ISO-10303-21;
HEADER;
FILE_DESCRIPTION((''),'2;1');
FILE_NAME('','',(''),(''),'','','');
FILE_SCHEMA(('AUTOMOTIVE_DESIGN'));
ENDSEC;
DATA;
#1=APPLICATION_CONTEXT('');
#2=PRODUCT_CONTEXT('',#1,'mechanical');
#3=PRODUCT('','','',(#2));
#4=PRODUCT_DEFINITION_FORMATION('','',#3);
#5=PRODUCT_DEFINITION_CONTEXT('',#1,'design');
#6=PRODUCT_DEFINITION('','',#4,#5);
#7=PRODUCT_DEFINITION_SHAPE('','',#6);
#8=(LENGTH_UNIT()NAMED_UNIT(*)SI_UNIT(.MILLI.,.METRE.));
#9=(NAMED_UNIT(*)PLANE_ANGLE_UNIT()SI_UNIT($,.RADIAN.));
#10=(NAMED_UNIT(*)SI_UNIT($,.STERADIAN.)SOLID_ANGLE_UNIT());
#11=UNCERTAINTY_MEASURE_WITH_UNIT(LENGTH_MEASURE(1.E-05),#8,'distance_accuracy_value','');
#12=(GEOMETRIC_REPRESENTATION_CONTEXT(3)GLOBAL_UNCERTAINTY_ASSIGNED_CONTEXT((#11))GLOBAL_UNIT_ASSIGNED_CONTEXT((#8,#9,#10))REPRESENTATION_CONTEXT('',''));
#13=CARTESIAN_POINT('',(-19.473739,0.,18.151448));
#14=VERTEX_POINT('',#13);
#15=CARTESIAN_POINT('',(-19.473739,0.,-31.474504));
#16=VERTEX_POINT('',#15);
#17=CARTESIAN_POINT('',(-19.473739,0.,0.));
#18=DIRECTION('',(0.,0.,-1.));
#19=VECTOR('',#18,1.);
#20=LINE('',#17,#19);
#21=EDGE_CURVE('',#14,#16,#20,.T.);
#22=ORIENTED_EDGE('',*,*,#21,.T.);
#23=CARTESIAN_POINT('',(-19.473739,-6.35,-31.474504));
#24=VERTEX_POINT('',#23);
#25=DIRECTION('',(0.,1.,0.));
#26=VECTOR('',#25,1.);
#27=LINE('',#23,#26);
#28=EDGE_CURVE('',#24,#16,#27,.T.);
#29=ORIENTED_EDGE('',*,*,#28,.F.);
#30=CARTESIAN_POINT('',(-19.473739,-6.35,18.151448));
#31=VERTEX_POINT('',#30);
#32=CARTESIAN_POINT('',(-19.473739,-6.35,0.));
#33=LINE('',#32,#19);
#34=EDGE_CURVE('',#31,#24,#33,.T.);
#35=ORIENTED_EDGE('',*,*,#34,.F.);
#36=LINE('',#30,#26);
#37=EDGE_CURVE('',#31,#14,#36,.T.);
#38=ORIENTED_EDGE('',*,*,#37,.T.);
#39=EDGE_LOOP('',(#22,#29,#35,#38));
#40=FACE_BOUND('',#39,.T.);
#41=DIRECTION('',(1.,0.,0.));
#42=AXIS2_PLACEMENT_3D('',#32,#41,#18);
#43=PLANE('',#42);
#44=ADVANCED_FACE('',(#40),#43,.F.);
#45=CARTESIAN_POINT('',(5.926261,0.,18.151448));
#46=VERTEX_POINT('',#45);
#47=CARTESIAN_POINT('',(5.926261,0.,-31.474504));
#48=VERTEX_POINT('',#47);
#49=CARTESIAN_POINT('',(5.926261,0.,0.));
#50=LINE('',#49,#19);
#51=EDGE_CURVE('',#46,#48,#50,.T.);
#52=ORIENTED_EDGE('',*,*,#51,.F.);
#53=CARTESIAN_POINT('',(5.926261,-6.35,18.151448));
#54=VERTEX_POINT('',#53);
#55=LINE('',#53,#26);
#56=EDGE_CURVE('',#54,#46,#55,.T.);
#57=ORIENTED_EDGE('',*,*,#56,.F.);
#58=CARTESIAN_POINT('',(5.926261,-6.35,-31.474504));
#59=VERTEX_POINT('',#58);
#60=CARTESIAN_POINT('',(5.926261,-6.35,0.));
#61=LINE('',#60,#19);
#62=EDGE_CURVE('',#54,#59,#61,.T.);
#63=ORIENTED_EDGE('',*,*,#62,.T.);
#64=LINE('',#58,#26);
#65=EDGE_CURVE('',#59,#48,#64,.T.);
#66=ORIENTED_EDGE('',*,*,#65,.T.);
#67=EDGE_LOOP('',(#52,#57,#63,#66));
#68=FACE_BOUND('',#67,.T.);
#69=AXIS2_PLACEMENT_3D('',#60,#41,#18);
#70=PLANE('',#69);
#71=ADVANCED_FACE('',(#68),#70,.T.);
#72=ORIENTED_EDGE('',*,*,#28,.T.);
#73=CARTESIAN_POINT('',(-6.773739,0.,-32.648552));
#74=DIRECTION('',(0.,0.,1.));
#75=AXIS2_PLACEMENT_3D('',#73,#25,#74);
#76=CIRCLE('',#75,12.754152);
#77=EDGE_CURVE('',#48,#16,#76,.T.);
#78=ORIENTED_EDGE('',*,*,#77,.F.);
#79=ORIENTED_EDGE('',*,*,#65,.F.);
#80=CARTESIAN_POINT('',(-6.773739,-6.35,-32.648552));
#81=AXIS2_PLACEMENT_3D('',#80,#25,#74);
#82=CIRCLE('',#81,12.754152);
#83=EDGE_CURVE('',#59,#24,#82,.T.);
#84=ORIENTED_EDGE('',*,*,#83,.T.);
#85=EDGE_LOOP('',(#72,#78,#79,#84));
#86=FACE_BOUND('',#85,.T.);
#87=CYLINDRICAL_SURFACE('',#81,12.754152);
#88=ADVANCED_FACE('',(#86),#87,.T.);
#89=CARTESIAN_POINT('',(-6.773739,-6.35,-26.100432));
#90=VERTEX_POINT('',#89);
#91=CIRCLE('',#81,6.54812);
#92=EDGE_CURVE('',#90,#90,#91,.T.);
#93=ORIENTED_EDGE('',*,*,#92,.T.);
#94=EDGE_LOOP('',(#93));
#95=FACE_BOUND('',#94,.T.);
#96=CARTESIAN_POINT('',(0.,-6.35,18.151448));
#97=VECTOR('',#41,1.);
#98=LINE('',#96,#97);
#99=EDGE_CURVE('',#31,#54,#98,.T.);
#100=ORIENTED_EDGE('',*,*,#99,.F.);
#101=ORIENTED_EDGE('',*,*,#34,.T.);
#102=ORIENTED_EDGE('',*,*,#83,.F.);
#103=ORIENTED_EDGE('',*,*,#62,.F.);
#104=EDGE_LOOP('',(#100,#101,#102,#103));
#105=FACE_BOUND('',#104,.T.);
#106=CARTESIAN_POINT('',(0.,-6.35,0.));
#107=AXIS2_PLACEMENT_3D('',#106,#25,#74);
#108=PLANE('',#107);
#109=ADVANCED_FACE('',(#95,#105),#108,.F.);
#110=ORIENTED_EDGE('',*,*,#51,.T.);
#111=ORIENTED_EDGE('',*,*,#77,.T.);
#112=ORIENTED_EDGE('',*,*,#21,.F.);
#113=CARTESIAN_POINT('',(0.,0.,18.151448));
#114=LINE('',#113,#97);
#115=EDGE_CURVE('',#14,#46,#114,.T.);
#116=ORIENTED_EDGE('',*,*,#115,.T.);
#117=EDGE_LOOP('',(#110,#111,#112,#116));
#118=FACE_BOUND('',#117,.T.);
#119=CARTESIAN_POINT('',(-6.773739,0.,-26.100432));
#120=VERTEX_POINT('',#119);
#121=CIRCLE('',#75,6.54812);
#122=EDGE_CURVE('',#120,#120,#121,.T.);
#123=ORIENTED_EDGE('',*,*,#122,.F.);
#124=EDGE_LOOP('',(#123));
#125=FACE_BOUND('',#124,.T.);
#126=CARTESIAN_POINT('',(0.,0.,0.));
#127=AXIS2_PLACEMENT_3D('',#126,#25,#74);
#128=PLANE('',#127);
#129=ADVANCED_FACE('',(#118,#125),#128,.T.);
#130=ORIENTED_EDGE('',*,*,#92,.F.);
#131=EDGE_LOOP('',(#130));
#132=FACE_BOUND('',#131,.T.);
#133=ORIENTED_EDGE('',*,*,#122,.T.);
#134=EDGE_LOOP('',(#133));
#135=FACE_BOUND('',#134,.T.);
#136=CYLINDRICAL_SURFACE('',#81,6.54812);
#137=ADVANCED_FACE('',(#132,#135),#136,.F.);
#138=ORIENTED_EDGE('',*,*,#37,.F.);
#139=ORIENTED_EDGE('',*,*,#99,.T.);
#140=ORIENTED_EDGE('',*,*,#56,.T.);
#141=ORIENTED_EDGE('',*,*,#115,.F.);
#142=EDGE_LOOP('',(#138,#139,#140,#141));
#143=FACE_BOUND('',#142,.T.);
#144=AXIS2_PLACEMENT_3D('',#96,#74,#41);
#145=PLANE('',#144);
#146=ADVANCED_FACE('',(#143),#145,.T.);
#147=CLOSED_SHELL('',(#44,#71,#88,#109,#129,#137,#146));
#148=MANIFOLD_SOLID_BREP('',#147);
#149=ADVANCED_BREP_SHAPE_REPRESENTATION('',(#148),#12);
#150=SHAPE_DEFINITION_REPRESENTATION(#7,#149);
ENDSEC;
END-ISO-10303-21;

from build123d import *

# Parameters (mm, degrees)
SKETCH1_R           = 6.54812
BOSS_EXTRUDE3_DEPTH = 6.35


with BuildPart() as part:
    # Sketch1 → Boss-Extrude3 (new body)
    with BuildSketch(Plane(origin=(0, 0, 0), x_dir=(1, 0, 0), z_dir=(0, 1, 0))):
        with BuildLine():
            Line((-19.473738898, 31.474503951), (-19.473738898, -18.151447985))
            Line((-19.473738898, -18.151447985), (5.926261102, -18.151447985))
            Line((5.926261102, -18.151447985), (5.926261102, 31.474503951))
            ThreePointArc((5.926261102, 31.474503951), (-6.773738898, 45.402703843), (-19.473738898, 31.474503951))
        make_face()
        with Locations((-6.773738898, 32.648552015)):
            Circle(SKETCH1_R, mode=Mode.SUBTRACT)
    extrude(amount=-BOSS_EXTRUDE3_DEPTH)


solid = part.part
